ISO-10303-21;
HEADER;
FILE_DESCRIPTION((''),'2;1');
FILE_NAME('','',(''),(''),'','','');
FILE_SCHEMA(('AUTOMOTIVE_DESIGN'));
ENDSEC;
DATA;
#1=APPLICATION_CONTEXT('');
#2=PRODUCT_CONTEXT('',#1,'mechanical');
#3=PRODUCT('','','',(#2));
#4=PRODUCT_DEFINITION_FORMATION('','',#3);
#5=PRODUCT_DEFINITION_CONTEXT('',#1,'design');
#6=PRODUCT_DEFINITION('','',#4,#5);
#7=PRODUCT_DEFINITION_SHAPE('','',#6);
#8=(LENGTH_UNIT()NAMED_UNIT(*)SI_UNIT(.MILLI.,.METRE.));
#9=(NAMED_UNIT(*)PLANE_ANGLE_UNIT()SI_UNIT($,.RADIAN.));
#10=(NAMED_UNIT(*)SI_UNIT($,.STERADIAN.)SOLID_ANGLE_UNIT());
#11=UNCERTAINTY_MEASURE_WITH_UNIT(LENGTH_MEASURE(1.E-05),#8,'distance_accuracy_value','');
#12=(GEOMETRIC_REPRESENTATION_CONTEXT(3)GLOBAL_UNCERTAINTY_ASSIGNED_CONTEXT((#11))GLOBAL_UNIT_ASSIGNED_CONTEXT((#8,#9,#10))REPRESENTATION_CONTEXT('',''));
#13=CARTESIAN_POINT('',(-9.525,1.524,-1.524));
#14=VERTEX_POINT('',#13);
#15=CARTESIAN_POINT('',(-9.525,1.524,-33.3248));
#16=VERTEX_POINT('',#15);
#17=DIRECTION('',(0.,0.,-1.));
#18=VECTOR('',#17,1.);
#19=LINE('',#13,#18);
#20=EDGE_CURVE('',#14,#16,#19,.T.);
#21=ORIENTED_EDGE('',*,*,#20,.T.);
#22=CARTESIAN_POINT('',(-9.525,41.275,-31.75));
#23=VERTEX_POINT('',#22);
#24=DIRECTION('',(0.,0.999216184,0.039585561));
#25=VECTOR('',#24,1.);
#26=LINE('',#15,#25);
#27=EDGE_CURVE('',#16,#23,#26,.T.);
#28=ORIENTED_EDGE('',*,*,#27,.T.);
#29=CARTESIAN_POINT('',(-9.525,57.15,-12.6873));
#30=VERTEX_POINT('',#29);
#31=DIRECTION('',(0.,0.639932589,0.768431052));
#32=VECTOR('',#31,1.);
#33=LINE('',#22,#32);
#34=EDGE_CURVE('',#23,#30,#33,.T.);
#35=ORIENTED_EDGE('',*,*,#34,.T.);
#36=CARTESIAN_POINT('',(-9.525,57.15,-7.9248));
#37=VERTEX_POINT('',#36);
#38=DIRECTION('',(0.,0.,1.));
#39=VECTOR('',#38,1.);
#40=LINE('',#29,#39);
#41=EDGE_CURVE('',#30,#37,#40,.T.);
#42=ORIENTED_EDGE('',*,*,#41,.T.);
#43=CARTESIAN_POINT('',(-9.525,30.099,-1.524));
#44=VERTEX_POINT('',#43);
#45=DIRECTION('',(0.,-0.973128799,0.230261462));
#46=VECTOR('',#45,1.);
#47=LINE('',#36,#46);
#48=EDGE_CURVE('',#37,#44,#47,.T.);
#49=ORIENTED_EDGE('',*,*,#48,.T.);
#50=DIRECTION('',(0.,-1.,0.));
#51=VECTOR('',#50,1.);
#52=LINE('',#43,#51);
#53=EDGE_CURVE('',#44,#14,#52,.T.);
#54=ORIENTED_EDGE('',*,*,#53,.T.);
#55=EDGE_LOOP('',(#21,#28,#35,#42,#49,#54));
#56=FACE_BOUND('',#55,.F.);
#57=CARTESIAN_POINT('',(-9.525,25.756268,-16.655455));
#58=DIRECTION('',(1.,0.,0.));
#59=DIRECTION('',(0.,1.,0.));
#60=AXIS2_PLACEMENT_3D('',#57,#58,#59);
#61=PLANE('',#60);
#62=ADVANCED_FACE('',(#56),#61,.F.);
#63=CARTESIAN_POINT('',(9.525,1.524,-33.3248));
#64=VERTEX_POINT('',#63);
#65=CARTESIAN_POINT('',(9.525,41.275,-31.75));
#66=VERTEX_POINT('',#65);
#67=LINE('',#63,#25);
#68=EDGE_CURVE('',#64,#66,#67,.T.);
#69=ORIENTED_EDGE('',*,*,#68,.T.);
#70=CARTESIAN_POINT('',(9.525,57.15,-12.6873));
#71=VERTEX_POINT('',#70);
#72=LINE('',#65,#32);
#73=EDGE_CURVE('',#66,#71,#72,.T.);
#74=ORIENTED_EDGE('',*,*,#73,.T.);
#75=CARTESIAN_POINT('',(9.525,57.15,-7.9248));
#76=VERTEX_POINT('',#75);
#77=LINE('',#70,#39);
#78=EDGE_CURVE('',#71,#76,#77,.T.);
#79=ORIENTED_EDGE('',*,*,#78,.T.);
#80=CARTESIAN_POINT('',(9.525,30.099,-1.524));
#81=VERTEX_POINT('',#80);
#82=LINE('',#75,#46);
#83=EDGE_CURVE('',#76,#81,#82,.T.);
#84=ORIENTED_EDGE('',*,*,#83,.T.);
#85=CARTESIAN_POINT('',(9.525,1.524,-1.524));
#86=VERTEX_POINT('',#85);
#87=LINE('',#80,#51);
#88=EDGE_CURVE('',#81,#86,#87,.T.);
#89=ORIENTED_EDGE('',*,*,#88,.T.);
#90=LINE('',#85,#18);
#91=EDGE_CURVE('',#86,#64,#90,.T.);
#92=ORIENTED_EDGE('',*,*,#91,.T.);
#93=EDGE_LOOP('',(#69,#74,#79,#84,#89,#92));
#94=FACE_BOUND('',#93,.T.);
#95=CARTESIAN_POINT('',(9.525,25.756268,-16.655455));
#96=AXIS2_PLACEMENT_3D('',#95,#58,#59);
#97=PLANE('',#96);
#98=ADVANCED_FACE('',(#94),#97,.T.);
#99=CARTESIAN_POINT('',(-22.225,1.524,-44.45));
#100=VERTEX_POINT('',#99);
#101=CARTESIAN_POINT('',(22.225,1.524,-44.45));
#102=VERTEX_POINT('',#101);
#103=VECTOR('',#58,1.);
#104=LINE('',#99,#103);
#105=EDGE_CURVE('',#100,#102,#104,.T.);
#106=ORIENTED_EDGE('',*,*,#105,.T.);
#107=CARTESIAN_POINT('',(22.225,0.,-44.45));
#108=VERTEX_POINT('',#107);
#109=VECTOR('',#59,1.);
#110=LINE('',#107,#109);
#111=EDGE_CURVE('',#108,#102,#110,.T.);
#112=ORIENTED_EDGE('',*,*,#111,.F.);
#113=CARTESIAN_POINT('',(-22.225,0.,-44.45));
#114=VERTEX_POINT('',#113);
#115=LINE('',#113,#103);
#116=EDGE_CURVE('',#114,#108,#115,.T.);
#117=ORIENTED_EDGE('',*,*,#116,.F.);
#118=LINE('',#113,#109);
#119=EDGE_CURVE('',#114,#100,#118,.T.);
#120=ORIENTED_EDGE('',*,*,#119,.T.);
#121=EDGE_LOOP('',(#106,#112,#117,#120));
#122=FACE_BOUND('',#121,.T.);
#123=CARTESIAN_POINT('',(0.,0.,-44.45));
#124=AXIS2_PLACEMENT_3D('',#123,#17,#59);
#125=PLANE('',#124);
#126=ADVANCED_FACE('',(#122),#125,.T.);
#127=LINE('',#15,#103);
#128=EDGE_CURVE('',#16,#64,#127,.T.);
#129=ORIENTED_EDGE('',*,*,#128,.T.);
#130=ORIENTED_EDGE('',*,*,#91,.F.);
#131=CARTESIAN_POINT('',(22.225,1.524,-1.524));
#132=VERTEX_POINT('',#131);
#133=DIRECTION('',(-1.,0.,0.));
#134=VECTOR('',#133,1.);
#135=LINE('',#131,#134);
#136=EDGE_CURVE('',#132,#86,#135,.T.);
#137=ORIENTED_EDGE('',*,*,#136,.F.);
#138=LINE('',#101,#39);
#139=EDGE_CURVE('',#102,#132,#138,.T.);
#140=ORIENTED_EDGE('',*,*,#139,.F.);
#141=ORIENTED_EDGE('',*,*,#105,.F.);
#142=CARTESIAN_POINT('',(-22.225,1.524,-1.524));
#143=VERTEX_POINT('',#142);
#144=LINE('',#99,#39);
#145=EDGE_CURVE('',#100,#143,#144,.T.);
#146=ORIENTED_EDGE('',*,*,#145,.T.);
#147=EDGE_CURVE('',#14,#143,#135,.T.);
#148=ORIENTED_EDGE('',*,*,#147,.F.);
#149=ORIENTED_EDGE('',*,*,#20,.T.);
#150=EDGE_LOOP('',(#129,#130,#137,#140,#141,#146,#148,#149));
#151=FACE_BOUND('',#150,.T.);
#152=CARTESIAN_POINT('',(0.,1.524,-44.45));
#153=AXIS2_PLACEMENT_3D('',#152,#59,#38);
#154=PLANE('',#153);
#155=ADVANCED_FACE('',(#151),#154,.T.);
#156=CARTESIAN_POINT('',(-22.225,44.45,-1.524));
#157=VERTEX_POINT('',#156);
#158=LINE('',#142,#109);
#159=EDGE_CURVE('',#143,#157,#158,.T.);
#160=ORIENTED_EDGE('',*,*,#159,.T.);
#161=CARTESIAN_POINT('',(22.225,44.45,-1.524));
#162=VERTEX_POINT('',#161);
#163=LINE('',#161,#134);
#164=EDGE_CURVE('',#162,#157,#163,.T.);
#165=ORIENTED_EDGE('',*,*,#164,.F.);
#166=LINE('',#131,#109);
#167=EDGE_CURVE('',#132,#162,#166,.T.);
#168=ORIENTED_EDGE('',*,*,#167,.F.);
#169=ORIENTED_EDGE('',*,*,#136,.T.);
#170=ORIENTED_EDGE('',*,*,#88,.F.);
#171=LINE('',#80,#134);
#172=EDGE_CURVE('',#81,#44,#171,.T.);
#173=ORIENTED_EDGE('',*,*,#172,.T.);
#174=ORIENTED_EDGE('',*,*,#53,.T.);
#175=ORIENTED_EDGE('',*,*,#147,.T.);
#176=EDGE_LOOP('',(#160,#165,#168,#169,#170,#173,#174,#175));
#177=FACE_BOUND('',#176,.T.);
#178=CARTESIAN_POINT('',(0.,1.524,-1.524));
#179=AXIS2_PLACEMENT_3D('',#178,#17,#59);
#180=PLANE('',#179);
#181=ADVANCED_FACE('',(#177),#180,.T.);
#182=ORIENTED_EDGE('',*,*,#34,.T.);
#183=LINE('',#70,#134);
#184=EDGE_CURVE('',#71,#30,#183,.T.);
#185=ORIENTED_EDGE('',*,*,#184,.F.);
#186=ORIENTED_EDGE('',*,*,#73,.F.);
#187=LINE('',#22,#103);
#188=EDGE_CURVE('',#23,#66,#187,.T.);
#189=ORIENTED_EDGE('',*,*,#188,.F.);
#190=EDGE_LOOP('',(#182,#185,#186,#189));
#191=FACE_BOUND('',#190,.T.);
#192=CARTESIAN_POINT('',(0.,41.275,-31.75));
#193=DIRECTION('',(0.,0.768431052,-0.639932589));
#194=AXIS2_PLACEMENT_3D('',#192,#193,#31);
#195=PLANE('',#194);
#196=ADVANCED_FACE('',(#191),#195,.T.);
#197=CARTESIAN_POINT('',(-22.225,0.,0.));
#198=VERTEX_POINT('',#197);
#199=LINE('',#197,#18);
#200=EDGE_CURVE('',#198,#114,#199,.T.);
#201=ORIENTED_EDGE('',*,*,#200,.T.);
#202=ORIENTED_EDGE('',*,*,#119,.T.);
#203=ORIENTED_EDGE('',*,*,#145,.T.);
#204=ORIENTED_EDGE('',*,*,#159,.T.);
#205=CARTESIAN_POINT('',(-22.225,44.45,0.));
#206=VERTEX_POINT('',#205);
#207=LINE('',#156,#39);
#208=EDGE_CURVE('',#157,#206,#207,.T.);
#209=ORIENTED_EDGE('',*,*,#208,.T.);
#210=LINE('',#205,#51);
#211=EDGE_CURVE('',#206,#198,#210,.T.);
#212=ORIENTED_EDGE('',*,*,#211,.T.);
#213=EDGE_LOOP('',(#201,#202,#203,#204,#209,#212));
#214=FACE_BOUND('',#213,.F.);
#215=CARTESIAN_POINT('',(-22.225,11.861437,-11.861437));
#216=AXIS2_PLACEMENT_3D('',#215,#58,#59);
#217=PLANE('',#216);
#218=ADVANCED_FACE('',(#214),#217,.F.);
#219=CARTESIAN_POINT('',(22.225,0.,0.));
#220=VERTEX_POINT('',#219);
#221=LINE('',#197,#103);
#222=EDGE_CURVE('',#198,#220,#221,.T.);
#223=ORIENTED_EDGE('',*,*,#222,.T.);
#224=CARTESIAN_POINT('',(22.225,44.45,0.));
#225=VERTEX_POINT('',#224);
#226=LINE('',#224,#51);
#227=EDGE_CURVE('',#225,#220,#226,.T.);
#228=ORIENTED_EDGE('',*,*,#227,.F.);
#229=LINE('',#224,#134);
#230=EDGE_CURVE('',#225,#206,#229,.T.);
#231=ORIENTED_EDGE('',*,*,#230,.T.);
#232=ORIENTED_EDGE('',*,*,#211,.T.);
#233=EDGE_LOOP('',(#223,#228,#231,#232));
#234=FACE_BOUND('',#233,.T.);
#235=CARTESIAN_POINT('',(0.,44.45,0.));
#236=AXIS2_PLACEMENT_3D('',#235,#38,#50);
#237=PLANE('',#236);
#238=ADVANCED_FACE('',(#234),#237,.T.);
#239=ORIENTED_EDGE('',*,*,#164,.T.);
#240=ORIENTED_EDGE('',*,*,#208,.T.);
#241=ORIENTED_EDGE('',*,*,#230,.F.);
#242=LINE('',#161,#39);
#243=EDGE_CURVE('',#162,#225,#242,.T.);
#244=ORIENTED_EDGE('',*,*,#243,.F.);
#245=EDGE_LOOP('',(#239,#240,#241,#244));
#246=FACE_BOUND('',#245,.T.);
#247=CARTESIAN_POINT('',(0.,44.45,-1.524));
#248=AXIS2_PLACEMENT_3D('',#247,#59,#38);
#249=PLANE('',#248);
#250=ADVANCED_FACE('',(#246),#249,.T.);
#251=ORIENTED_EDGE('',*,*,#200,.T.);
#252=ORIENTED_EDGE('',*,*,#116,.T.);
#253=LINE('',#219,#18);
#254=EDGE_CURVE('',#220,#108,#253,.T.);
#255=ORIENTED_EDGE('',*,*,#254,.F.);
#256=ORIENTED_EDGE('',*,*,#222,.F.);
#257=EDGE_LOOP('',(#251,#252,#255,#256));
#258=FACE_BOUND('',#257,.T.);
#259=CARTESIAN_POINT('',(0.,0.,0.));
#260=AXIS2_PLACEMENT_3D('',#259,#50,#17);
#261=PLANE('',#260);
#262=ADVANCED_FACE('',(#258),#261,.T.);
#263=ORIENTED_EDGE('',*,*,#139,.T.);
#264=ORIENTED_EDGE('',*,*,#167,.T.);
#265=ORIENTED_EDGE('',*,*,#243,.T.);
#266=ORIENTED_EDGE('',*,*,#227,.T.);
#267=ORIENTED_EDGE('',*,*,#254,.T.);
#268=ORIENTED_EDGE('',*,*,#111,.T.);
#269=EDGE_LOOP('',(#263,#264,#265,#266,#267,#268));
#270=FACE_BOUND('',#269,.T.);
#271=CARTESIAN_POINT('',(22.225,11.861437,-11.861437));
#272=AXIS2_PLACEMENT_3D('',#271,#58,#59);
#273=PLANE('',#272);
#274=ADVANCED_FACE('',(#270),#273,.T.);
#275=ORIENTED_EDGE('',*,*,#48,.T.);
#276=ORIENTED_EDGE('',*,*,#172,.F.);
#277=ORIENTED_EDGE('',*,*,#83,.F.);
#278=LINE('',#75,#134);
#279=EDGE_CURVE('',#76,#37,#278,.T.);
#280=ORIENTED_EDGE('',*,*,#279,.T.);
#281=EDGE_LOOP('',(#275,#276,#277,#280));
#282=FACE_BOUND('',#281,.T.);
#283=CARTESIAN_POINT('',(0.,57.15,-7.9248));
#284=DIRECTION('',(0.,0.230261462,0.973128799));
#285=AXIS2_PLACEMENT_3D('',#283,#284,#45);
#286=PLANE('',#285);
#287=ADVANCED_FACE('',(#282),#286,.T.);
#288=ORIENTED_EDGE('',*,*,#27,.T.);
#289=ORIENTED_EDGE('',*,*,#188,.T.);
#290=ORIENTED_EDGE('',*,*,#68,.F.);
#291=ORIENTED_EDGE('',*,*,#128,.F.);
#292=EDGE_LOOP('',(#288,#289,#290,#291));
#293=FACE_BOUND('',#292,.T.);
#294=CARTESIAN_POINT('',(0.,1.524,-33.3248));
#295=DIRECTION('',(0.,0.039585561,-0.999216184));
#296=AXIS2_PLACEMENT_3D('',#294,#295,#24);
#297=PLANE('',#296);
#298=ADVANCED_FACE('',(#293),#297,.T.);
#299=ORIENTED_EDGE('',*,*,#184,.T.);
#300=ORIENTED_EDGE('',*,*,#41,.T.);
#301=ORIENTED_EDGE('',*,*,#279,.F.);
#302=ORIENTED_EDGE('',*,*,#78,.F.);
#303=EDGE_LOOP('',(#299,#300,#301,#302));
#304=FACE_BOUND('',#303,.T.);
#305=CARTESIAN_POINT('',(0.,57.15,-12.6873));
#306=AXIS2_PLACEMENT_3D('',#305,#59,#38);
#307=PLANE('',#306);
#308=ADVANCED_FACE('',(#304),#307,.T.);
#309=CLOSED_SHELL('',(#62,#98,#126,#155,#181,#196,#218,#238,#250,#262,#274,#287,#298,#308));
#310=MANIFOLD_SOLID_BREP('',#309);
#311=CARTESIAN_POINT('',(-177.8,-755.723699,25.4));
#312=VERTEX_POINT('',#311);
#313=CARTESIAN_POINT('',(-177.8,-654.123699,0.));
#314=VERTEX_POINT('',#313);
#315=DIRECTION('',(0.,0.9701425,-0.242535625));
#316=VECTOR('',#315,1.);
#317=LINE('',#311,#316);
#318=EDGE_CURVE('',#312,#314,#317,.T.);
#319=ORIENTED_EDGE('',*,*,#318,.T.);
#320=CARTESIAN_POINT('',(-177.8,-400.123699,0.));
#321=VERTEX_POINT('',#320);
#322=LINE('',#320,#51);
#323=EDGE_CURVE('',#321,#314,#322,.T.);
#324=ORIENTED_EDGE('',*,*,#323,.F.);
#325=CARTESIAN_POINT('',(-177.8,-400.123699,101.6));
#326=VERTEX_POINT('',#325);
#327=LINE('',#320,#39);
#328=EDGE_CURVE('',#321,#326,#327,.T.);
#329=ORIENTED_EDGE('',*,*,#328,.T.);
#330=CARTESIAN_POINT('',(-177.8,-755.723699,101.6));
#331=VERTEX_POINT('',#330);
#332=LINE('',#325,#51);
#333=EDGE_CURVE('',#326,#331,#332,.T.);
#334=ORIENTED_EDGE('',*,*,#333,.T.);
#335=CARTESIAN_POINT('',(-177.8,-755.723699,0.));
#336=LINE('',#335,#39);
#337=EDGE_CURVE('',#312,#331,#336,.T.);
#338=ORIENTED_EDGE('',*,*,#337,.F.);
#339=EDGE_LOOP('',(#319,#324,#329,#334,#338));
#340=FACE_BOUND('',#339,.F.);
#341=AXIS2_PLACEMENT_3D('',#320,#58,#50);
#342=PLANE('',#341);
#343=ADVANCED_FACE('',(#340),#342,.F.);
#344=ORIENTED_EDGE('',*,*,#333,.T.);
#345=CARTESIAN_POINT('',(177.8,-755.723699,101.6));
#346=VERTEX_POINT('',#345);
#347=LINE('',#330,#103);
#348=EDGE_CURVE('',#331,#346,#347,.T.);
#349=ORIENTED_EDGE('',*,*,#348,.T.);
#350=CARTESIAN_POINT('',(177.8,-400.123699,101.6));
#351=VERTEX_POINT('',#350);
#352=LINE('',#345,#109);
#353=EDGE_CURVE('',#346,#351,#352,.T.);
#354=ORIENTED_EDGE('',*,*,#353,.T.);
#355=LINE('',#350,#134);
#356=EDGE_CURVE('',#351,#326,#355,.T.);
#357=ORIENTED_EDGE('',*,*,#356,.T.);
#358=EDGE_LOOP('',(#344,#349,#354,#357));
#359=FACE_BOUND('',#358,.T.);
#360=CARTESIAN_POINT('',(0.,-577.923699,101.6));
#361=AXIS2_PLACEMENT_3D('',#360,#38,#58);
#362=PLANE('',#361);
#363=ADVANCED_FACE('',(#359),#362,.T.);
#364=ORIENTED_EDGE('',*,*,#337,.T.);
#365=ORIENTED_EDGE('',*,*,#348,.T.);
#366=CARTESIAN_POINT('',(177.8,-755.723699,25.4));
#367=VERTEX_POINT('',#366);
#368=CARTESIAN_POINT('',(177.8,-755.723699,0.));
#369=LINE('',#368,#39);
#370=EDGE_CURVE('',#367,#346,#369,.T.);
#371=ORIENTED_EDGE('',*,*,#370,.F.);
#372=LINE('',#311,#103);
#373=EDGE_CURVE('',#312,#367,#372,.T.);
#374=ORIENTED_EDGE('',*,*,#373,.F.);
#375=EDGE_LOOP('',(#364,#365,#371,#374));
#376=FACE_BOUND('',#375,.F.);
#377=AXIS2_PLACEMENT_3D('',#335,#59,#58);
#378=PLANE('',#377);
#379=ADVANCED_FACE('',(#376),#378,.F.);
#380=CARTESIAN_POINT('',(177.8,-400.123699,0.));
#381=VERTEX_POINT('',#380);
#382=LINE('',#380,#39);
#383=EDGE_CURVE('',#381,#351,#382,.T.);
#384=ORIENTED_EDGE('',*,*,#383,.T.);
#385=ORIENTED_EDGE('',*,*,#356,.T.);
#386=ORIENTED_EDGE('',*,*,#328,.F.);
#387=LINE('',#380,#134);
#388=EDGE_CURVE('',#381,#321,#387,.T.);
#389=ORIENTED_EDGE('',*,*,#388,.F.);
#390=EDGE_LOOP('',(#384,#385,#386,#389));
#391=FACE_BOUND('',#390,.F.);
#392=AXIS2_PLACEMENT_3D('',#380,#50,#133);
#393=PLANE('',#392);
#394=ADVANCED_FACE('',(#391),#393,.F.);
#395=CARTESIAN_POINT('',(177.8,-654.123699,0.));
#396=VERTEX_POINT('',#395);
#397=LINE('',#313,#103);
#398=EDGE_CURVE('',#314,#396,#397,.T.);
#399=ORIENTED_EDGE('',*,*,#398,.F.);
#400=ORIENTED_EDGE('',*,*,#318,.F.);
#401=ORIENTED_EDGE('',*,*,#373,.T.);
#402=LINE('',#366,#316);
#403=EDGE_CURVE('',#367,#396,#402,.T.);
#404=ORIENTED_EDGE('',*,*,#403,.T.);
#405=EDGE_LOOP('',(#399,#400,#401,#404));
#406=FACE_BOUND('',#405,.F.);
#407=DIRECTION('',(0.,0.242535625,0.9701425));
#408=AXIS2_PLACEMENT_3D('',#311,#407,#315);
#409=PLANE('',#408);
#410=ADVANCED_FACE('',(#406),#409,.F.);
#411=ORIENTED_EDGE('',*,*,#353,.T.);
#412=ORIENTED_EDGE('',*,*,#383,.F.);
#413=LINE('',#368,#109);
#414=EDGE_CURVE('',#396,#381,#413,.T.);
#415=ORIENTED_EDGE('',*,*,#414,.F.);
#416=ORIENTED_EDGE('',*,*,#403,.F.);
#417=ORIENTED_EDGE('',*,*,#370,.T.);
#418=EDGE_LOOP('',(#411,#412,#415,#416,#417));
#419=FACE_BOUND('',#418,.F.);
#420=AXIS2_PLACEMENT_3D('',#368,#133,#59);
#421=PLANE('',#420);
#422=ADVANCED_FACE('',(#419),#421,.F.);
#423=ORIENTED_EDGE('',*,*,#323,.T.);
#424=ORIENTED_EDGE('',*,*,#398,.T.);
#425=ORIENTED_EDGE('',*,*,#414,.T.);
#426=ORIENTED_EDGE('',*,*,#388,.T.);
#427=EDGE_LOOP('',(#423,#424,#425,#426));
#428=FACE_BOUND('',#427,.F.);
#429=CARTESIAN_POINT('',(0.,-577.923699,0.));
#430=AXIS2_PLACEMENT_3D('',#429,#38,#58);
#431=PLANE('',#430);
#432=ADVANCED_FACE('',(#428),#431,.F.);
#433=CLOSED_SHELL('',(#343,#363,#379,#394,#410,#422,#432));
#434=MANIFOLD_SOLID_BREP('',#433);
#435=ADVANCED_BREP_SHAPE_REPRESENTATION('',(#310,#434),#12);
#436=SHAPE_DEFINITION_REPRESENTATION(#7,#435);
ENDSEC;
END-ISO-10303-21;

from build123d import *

# Parameters (mm, degrees)
F1_DEPTH = 22.225
F3_DEPTH = 9.525
F5_DEPTH = 101.6
F7_DEPTH = 355.6


with BuildPart() as f1:
    # F0 (on Right) → F1 (new body, symmetric)
    with BuildSketch(Plane.YZ):
        Polygon((44.45, 0), (0, 0), (0, -44.45), (1.524, -44.45), (1.524, -1.524), (44.45, -1.524), align=None)
    extrude(amount=F1_DEPTH, both=True)

    # F2 (on Right) → F3 (join, symmetric)
    with BuildSketch(Plane.YZ):
        Polygon((30.099, -1.524), (1.524, -1.524), (1.524, -33.3248), (41.275, -31.75), (57.15, -12.6873), (57.15, -7.9248), align=None)
    extrude(amount=F3_DEPTH, both=True)


with BuildPart() as f5:
    # F4 (on Top) → F5 (new body)
    with BuildSketch(Plane.XY):
        Polygon((177.8, -755.723699), (177.8, -400.123699), (0, -400.123699), (-177.8, -400.123699), (-177.8, -755.723699), align=None)
    extrude(amount=F5_DEPTH)

    # F6 (on face) → F7 (cut, through all)
    with BuildSketch(Plane(origin=(-177.8, 0, 0), x_dir=(0, -1, 0), z_dir=(-1, 0, 0))):
        Polygon((755.723699, 0), (755.723699, 25.4), (654.123699, 0), align=None)
    extrude(amount=-F7_DEPTH, mode=Mode.SUBTRACT)


solid = Compound([f1.part, f5.part])
